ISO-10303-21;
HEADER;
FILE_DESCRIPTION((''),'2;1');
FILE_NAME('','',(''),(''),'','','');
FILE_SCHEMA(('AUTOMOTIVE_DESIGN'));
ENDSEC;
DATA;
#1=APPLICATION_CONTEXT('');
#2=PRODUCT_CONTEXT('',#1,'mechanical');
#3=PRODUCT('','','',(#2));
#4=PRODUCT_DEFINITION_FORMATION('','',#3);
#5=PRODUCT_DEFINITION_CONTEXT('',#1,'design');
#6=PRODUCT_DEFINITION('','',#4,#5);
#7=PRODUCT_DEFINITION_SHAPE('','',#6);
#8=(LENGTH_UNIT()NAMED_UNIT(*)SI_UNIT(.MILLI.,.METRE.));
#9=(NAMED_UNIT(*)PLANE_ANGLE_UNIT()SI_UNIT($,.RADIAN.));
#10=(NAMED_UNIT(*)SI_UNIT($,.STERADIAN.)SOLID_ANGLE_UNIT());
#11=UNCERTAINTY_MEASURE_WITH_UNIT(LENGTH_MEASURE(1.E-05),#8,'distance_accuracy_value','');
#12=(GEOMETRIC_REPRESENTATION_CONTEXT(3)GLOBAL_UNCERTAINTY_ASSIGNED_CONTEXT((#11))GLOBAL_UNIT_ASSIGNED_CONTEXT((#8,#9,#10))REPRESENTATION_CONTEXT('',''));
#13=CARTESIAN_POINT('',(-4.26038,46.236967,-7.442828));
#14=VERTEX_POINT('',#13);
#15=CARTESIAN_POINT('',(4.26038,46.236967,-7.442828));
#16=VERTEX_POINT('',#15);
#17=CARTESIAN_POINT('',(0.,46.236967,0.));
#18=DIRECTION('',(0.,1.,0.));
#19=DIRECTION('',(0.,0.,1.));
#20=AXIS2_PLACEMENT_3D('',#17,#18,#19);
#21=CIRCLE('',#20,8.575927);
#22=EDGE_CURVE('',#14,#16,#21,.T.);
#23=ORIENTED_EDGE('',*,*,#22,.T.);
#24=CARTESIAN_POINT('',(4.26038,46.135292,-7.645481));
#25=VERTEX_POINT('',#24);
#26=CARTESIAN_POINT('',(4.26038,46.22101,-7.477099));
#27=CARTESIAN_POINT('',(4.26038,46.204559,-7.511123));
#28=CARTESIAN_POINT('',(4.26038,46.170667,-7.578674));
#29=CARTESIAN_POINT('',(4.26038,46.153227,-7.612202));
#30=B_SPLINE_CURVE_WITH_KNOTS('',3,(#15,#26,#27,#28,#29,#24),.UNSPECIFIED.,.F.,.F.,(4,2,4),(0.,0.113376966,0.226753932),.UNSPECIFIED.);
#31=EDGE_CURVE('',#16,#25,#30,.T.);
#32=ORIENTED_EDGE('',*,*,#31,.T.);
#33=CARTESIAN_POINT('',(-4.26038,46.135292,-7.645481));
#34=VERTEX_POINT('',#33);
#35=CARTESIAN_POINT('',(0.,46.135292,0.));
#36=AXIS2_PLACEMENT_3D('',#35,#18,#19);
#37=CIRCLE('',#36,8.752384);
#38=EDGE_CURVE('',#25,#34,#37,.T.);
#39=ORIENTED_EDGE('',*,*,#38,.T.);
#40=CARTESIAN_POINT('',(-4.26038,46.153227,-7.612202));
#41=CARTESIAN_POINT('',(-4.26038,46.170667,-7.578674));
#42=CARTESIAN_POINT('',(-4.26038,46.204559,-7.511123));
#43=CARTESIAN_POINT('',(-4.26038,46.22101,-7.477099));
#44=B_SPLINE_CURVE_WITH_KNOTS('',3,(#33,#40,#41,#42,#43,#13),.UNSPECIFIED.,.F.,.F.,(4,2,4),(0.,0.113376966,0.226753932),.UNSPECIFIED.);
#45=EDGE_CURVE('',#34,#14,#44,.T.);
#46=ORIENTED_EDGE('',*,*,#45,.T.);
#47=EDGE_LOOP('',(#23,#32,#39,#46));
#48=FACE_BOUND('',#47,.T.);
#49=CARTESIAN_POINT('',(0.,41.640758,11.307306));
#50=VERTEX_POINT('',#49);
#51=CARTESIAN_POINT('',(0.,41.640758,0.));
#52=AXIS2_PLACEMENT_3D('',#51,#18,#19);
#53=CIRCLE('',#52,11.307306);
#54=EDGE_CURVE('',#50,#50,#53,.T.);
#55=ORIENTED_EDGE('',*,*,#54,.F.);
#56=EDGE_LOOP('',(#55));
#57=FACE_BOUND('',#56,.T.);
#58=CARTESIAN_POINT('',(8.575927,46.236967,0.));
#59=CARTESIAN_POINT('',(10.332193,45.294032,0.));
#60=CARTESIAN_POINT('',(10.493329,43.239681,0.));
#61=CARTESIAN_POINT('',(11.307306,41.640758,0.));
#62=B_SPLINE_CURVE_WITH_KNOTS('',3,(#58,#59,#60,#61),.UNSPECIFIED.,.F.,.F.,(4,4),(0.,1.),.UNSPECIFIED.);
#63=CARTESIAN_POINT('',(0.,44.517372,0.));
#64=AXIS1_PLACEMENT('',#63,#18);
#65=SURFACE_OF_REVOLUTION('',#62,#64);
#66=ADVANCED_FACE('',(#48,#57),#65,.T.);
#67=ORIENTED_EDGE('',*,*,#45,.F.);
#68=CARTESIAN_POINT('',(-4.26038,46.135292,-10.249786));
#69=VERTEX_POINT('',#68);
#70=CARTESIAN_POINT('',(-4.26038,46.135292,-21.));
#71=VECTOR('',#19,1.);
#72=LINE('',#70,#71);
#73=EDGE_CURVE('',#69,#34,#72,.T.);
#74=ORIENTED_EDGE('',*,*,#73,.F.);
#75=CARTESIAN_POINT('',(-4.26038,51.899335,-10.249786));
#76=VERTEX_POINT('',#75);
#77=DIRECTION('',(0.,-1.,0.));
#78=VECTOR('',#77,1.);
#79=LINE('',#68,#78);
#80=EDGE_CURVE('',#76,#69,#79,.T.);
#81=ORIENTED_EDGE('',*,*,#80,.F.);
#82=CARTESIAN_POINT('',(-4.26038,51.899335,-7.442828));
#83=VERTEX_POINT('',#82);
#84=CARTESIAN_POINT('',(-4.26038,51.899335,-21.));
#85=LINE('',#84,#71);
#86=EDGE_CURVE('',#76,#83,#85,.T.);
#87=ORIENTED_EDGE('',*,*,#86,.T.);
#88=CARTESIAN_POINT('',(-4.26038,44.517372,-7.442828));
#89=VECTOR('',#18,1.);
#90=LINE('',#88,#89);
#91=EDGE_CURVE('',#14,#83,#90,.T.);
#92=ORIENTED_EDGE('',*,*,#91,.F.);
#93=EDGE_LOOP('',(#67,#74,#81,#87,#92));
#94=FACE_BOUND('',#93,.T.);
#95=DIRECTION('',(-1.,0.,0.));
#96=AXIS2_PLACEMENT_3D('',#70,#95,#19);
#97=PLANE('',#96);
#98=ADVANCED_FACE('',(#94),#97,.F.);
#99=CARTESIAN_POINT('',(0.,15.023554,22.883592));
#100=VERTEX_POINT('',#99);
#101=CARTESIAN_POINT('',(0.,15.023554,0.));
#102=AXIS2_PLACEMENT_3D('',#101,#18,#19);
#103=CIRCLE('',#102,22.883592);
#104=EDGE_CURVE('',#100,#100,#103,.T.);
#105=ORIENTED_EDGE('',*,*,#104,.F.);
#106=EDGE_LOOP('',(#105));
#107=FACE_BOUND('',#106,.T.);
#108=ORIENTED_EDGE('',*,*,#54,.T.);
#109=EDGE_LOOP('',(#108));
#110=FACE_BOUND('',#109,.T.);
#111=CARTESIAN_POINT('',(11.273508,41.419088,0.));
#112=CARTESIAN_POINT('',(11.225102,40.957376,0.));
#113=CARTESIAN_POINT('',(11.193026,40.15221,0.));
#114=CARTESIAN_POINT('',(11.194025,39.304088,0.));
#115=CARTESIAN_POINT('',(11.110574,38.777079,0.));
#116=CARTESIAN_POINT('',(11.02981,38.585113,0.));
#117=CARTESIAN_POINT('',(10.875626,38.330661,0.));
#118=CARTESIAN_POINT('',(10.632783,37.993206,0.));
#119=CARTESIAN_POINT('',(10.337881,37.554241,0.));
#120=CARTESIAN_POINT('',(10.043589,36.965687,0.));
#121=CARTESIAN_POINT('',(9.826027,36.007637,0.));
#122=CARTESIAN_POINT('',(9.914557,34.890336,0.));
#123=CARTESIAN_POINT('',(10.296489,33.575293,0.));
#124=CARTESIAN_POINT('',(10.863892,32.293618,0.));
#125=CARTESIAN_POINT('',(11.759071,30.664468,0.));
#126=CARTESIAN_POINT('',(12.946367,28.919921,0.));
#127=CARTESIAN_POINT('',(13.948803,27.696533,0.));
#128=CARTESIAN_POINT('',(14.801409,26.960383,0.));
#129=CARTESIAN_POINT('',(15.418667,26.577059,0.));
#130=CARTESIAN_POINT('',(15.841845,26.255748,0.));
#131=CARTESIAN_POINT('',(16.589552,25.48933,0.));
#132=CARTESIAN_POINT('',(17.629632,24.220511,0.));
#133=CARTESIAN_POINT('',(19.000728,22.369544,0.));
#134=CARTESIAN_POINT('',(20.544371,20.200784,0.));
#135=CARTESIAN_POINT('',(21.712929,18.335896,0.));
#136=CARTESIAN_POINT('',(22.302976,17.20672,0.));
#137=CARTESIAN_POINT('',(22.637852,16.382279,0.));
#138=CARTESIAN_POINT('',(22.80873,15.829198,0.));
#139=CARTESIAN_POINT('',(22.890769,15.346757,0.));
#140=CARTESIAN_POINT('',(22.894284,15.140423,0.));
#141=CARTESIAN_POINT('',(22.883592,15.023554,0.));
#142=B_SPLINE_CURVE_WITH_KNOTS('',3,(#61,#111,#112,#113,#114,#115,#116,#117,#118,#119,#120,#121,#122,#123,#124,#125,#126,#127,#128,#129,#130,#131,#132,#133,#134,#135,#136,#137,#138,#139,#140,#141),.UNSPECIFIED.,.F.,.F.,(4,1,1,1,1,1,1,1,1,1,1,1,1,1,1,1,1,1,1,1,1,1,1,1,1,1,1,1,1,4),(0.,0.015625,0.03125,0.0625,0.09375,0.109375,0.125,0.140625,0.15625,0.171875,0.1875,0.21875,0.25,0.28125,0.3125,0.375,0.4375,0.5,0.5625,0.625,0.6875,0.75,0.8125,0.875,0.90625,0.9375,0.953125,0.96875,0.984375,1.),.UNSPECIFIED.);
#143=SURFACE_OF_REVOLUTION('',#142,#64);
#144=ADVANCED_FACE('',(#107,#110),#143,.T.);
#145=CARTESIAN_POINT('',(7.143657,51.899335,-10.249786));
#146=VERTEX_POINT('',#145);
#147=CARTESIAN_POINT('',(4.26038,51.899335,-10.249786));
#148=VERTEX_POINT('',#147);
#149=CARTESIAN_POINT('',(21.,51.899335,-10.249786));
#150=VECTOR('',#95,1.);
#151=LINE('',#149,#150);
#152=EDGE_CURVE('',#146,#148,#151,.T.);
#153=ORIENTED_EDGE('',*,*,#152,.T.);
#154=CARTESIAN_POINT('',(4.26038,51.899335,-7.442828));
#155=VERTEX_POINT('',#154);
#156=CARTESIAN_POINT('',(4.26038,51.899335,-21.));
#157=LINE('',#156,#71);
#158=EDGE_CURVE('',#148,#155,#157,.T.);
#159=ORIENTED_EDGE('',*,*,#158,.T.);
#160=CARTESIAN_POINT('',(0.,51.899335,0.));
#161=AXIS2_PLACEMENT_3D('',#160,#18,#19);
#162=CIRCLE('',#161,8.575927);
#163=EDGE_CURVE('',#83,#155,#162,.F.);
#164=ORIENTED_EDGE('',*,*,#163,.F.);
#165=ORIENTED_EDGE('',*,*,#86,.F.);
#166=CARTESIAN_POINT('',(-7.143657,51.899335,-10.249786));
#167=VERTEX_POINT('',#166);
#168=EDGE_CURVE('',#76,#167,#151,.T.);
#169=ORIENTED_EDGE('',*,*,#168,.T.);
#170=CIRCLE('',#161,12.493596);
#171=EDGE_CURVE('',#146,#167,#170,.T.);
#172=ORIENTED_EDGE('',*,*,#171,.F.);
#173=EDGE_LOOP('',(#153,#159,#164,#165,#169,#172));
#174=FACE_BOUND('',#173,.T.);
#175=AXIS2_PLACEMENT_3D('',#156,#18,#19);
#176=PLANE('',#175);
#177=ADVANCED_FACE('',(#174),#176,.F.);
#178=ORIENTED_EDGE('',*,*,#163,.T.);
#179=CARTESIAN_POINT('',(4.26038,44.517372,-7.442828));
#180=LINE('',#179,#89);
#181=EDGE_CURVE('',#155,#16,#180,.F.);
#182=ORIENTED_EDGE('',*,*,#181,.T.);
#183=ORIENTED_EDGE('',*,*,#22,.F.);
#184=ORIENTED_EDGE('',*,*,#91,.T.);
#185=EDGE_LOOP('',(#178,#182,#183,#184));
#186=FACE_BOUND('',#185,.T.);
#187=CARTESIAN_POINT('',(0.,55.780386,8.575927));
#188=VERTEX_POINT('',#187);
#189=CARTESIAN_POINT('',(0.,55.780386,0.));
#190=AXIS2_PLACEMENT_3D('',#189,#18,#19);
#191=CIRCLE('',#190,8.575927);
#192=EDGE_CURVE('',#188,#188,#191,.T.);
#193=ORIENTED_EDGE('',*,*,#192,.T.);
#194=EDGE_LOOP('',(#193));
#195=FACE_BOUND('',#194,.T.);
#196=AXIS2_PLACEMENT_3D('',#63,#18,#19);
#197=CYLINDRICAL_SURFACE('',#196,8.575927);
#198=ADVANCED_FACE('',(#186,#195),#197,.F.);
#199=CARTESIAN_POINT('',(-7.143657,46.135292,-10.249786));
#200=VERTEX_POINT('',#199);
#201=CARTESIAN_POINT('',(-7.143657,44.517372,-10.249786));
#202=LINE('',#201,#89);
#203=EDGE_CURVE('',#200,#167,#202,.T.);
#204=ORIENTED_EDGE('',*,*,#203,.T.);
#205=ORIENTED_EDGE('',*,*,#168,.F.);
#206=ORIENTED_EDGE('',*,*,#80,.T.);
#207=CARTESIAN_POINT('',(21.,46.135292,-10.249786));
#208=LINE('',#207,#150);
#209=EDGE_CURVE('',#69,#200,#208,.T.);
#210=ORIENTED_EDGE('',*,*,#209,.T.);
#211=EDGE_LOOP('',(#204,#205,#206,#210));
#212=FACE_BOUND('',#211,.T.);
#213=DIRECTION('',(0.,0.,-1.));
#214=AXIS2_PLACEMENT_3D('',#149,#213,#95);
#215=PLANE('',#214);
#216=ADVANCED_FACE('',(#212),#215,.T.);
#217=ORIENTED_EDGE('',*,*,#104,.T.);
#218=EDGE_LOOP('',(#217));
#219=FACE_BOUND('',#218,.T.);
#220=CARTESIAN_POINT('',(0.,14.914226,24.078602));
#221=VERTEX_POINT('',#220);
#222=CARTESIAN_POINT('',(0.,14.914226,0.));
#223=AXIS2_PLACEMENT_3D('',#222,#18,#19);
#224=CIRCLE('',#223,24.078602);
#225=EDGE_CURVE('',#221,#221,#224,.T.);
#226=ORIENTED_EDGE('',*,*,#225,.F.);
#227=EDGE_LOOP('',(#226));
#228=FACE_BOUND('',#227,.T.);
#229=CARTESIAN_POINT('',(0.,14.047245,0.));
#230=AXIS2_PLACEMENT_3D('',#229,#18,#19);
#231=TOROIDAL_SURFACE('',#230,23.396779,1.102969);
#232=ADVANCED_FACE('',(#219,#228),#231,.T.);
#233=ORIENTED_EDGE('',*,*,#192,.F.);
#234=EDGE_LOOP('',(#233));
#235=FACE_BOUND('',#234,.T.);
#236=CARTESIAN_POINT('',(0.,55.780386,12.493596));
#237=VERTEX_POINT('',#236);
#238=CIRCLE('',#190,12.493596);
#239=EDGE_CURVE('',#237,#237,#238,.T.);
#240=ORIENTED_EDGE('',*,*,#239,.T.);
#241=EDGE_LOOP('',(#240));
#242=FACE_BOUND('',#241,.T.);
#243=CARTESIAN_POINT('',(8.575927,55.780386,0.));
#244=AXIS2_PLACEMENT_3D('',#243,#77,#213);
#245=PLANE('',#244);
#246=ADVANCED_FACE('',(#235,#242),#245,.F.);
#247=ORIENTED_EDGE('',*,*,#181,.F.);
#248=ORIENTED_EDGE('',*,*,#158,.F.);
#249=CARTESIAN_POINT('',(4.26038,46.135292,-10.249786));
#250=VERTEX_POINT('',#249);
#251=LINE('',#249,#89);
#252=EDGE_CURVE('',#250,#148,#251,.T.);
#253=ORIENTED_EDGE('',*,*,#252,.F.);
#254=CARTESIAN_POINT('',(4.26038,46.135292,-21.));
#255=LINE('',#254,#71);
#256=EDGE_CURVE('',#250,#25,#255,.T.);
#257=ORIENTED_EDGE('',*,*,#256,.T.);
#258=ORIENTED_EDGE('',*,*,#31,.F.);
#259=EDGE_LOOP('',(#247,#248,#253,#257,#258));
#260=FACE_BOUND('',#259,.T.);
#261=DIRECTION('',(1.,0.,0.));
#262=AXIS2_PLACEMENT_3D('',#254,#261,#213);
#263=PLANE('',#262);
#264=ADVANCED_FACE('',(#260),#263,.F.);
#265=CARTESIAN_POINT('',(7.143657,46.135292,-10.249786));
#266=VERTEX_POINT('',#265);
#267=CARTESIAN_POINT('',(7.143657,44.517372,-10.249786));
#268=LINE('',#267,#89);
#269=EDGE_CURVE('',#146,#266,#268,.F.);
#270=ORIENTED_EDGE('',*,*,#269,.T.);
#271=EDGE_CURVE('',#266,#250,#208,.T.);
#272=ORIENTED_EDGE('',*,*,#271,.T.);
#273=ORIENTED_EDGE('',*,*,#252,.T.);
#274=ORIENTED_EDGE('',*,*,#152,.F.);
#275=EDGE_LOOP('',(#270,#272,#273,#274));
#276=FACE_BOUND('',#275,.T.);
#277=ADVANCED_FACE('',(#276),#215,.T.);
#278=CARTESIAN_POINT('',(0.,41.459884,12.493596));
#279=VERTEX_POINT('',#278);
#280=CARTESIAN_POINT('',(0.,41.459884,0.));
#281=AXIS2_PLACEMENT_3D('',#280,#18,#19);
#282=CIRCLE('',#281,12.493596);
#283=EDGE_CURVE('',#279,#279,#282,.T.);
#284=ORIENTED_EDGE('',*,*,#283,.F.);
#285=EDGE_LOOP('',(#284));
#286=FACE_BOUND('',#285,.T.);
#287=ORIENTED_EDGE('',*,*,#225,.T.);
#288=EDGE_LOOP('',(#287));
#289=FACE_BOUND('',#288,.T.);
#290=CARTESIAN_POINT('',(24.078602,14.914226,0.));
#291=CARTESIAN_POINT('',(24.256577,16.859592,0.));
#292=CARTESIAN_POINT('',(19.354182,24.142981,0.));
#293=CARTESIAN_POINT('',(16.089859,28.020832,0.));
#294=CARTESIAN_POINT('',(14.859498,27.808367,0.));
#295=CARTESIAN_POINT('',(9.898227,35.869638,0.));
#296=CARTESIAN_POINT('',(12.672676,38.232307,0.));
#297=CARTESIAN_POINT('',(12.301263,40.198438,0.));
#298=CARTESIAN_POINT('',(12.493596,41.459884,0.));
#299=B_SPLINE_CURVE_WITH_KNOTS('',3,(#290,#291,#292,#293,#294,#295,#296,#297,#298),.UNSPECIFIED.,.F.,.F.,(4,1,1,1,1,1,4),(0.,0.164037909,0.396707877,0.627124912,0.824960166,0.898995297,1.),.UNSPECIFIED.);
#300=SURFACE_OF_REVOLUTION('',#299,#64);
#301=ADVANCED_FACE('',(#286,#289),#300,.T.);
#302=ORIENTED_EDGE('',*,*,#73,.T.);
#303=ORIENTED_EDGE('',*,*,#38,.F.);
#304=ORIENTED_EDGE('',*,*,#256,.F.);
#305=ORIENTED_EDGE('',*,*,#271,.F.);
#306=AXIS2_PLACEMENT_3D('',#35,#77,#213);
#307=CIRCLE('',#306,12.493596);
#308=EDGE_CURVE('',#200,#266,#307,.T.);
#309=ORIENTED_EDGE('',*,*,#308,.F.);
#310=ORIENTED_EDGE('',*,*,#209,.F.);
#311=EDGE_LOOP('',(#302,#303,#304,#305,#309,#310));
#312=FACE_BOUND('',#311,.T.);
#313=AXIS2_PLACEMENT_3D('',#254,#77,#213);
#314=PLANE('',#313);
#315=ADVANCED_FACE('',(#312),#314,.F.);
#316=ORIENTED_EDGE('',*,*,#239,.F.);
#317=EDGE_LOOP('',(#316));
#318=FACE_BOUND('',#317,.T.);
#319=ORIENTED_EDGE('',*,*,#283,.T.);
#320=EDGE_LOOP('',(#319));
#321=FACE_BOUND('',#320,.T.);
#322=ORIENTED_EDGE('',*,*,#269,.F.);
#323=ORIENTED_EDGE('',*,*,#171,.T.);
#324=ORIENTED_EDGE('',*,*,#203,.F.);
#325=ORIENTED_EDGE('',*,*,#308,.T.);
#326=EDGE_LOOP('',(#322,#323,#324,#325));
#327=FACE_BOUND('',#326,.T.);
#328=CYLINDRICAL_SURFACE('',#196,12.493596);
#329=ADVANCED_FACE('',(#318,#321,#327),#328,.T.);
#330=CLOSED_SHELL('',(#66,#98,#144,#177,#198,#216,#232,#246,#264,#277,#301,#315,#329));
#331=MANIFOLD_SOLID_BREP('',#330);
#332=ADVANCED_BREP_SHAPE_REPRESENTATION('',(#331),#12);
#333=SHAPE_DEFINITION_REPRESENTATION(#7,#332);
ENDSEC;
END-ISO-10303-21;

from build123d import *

# Parameters (mm, degrees)
ESBO_O2_W                  = 8.52075949
ESBO_O2_H                  = 5.764043184
CORTE_EXTRUS_O1_DEPTH      = 21
ESBO_O3_W                  = 2.243810292
ESBO_O3_H                  = 5.764043184
CORTE_EXTRUS_O2_DEPTH      = 21
CORTE_EXTRUS_O2_DEPTH_BACK = 21


with BuildPart() as part:
    # Esboço1 → Revolução1 (revolve)
    with BuildSketch(Plane.XY):
        with BuildLine():
            Line((12.493596339, 41.646579704), (12.493596339, 41.459883591))
            add(Edge.make_bspline(
                [(12.493596339, 41.459883591), (12.301263403, 40.198437894), (12.672676028, 38.232307085), (9.898226855, 35.869637873), (14.859497628, 27.808367469), (16.089859378, 28.020832476), (19.354182401, 24.142981418), (24.256577419, 16.859591957), (24.078601749, 14.91422611)],
                knots=[0, 0, 0, 0, 0.101004703, 0.175039834, 0.372875088, 0.603292123, 0.835962091, 1, 1, 1, 1], degree=3))
            ThreePointArc((24.078601749, 14.91422611), (23.296290883, 12.948863246), (22.883592364, 15.023553924))
            add(Edge.make_bspline(
                [(11.307306068, 41.640757561), (11.273508042, 41.419087908), (11.225101504, 40.957376107), (11.193026279, 40.152209665), (11.194025164, 39.304088475), (11.110574296, 38.777078707), (11.029809991, 38.585113078), (10.875626346, 38.330661384), (10.632782714, 37.993206106), (10.337880773, 37.554240715), (10.043589267, 36.9656871), (9.826027372, 36.007636699), (9.914556574, 34.890335952), (10.296489153, 33.575292999), (10.86389191, 32.293618099), (11.759071388, 30.664468375), (12.946367341, 28.919920551), (13.948802762, 27.69653267), (14.801409404, 26.960382807), (15.418667293, 26.577059231), (15.841844965, 26.255748079), (16.589552393, 25.48932973), (17.62963193, 24.220510979), (19.000727557, 22.369544481), (20.544370852, 20.200784471), (21.712928806, 18.335896373), (22.302975554, 17.206719637), (22.637852499, 16.382278959), (22.808730433, 15.829198344), (22.890769285, 15.346757355), (22.894284366, 15.140423019), (22.883592364, 15.023553924)],
                knots=[0, 0, 0, 0, 0.015625, 0.03125, 0.0625, 0.09375, 0.109375, 0.125, 0.140625, 0.15625, 0.171875, 0.1875, 0.21875, 0.25, 0.28125, 0.3125, 0.375, 0.4375, 0.5, 0.5625, 0.625, 0.6875, 0.75, 0.8125, 0.875, 0.90625, 0.9375, 0.953125, 0.96875, 0.984375, 1, 1, 1, 1], degree=3))
            add(Edge.make_bspline(
                [(11.307306068, 41.640757561), (10.493329038, 43.239681157), (10.332192588, 45.29403191), (8.575926678, 46.236967031)],
                knots=[0, 0, 0, 0, 1, 1, 1, 1], degree=3))
            Line((8.575926678, 46.236967031), (8.575926678, 55.780385677))
            Line((8.575926678, 55.780385677), (12.493596339, 55.780385677))
            Line((12.493596339, 55.780385677), (12.493596339, 46.236967031))
            Line((12.493596339, 46.236967031), (12.493596339, 41.646579704))
        make_face()
    revolve(axis=Axis((0, 44.517371893, 0), (0, -1, 0)))

    # Esboço2 → Corte-extrusão1 (cut)
    with BuildSketch(Plane.XY):
        with Locations((0, 49.017313479)):
            Rectangle(ESBO_O2_W, ESBO_O2_H)
    extrude(amount=-CORTE_EXTRUS_O1_DEPTH, mode=Mode.SUBTRACT)

    # Esboço3 → Corte-extrusão2 (cut, two sides)
    with BuildSketch(Plane(origin=(0, 0, 0), x_dir=(0, 0, -1), z_dir=(1, 0, 0))) as corte_extrus_o2_sk:
        with Locations((11.371691193, 49.017313479)):
            Rectangle(ESBO_O3_W, ESBO_O3_H)
    extrude(amount=CORTE_EXTRUS_O2_DEPTH, mode=Mode.SUBTRACT)
    extrude(corte_extrus_o2_sk.sketch, amount=-CORTE_EXTRUS_O2_DEPTH_BACK, mode=Mode.SUBTRACT)


solid = part.part
